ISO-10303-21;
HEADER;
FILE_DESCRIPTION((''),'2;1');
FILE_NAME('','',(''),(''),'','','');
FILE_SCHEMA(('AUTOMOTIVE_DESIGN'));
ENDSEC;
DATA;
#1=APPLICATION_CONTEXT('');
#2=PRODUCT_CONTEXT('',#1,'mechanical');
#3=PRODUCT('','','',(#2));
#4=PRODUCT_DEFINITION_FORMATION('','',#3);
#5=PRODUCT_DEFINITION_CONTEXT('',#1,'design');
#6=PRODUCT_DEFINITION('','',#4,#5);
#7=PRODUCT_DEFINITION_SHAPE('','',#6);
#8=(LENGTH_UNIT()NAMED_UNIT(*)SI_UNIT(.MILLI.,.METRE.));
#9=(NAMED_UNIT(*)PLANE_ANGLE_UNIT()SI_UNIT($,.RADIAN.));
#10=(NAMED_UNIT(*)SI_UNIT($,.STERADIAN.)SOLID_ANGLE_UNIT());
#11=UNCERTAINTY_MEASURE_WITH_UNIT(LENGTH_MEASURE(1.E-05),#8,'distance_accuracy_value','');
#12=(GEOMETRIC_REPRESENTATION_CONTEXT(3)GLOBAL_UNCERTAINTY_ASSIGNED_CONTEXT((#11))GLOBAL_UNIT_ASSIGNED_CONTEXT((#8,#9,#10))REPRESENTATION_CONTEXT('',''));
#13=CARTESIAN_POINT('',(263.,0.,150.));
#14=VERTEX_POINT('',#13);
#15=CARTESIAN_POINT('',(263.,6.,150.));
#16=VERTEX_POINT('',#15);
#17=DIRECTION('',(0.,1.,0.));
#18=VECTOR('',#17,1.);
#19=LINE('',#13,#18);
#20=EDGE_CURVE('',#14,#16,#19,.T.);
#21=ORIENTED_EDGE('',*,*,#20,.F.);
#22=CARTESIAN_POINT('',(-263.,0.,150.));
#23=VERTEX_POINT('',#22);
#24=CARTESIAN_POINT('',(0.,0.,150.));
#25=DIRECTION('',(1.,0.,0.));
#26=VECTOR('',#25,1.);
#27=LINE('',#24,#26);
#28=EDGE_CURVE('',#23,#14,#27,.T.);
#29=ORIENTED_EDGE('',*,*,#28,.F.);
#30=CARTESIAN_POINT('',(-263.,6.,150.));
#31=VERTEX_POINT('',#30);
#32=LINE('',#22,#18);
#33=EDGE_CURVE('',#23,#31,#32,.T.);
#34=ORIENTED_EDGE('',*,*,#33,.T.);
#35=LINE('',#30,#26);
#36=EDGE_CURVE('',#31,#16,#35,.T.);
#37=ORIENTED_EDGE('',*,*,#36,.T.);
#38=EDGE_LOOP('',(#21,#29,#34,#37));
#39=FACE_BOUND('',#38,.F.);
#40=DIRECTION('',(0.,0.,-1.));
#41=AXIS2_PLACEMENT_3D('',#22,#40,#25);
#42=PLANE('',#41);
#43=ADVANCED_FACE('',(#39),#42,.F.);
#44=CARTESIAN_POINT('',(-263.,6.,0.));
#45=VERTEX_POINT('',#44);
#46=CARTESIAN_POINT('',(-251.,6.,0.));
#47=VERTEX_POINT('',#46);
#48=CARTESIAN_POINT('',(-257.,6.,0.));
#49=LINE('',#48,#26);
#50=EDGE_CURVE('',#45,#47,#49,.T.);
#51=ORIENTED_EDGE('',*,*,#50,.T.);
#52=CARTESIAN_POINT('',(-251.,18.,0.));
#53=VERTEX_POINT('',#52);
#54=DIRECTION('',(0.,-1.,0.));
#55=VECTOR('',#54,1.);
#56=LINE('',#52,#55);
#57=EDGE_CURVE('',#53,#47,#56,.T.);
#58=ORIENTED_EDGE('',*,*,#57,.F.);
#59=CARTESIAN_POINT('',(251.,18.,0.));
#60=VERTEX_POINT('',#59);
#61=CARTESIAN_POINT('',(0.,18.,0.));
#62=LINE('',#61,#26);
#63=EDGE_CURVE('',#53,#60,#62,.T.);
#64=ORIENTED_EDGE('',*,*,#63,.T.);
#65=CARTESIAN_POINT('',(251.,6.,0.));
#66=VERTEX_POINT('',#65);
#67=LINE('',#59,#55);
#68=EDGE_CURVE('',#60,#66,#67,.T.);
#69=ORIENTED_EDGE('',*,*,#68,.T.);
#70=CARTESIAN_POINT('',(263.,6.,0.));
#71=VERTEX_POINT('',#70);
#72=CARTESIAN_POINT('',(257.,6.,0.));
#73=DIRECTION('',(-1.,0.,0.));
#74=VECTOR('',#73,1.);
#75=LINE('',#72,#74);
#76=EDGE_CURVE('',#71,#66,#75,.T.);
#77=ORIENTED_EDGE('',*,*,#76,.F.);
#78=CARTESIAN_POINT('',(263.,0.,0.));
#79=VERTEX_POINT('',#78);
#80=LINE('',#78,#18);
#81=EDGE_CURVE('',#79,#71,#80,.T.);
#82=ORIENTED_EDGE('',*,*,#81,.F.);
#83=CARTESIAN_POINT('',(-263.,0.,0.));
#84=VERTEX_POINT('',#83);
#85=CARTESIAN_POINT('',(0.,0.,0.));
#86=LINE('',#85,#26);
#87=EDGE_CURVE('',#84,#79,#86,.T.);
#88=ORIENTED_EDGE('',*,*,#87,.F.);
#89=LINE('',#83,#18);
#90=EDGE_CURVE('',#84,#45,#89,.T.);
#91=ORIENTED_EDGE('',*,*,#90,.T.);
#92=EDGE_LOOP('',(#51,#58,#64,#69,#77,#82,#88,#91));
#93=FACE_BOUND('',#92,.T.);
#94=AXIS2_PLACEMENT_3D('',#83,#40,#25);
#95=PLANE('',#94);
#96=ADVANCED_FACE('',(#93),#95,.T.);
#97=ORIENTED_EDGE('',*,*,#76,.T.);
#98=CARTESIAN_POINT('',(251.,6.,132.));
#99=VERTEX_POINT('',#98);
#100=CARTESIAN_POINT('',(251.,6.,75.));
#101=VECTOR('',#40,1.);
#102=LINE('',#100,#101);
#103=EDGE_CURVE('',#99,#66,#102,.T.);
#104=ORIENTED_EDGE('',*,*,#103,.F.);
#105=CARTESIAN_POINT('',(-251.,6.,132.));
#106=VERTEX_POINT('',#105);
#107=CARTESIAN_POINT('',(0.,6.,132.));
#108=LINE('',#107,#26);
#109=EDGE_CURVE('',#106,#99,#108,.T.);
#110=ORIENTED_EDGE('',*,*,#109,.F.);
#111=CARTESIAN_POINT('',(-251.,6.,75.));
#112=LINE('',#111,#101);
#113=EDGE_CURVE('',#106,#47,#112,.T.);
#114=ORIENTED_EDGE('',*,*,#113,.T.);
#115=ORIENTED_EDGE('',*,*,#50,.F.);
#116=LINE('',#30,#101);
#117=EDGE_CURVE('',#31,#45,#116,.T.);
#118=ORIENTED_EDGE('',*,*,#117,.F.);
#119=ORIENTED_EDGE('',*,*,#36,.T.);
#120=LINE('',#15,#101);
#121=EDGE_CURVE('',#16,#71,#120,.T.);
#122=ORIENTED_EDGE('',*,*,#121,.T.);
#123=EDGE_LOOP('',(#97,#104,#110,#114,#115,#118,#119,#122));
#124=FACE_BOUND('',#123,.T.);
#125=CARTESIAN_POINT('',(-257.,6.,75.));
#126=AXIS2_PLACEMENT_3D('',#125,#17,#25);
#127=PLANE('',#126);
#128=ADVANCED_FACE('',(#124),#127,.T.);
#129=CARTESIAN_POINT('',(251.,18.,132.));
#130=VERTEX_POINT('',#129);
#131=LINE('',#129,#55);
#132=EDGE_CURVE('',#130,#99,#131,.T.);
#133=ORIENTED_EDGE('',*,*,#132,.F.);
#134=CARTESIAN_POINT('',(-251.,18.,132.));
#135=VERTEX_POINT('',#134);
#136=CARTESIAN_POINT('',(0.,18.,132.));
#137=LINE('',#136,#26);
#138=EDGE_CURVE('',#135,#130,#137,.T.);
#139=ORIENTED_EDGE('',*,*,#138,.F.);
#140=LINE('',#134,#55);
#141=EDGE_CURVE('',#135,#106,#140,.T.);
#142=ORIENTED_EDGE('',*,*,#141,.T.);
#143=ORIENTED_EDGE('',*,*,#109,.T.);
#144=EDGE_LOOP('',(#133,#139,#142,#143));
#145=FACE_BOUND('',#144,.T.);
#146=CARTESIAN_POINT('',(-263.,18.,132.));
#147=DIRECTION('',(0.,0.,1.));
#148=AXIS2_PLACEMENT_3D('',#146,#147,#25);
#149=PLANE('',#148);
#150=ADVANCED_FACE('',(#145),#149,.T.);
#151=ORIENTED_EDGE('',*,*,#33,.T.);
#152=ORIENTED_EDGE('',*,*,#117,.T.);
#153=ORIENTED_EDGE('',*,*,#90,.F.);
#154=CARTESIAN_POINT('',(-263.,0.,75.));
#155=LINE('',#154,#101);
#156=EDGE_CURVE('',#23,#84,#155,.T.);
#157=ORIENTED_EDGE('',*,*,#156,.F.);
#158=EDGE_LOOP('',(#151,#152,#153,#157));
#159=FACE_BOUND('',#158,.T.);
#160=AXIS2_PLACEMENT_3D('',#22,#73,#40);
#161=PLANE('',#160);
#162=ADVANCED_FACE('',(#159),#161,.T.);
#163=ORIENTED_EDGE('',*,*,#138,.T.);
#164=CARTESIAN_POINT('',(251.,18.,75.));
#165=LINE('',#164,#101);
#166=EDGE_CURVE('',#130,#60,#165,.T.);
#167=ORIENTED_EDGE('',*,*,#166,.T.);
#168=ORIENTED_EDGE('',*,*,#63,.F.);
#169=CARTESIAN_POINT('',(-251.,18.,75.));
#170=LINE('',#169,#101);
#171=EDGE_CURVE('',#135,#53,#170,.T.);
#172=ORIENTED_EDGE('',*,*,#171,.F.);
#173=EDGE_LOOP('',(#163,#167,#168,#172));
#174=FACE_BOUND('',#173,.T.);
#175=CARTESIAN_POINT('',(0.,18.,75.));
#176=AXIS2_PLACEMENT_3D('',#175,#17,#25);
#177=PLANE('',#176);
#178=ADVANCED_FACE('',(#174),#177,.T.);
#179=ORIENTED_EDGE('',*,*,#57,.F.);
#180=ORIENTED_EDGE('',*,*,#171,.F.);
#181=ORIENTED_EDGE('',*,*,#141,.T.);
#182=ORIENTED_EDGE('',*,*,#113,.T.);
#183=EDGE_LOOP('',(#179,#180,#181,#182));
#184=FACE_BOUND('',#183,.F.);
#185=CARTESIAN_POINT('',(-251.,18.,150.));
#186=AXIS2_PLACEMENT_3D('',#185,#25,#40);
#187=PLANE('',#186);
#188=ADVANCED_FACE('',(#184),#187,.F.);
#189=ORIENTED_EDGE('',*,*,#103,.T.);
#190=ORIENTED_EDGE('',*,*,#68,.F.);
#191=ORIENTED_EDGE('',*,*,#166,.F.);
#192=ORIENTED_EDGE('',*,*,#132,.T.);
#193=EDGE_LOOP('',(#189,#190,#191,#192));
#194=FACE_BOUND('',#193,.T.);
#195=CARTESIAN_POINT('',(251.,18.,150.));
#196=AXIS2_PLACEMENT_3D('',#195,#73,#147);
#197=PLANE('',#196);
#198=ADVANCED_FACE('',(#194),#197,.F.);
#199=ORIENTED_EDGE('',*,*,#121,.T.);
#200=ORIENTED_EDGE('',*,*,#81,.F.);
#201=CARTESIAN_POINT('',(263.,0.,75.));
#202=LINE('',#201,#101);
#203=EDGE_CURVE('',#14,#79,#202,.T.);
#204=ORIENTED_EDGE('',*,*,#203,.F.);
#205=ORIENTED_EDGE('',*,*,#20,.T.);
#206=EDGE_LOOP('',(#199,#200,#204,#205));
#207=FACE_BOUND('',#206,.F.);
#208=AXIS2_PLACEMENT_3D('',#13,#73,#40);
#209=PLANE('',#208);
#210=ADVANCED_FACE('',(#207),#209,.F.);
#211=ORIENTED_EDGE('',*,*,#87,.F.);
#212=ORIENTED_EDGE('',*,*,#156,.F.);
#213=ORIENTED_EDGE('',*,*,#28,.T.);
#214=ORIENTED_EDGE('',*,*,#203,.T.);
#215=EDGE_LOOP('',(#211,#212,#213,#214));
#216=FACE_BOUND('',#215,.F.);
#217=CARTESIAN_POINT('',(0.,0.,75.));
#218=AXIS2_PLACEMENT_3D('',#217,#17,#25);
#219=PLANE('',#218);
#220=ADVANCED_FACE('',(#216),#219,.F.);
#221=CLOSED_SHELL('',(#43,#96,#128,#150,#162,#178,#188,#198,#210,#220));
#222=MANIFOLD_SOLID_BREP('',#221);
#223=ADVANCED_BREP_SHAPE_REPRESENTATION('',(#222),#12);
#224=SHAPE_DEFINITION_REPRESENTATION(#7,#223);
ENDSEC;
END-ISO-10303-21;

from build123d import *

# Parameters (mm, degrees)
SKETCH026_W             = 526
SKETCH026_H             = 150
PAD010_DEPTH            = 18
SKETCH027_W             = 12
SKETCH027_H             = 150
POCKET016_DEPTH         = 12
SKETCH031_W             = 526
SKETCH031_H             = 18
POCKET019_DEPTH         = 12
BODY009_PLACEMENT_ANGLE = 90


with BuildPart() as part:
    # Sketch026 → Pad010 (new body)
    with BuildSketch(Plane.XY):
        with Locations((0, 75)):
            Rectangle(SKETCH026_W, SKETCH026_H)
    extrude(amount=PAD010_DEPTH)

    # Sketch027 (on Face6 of Pad010) → Pocket016 (cut)
    with BuildSketch(Plane.XY.offset(18)):
        with Locations((-257, 75)):
            Rectangle(SKETCH027_W, SKETCH027_H)
    pocket016 = extrude(amount=-POCKET016_DEPTH, mode=Mode.SUBTRACT)

    # Mirrored007: Pocket016 across Sketch027 V_Axis
    add(pocket016.mirror(Plane(origin=(0, 0, 18), x_dir=(0, 0, 1), z_dir=(1, 0, 0))), mode=Mode.SUBTRACT)

    # Sketch031 (on Face6 of Mirrored007) → Pocket019 (cut)
    with BuildSketch(Plane.XY.offset(18)):
        with Locations((0, 9)):
            Rectangle(SKETCH031_W, SKETCH031_H)
    extrude(amount=-POCKET019_DEPTH, mode=Mode.SUBTRACT)


with BuildPart() as part_1:
    # Body009 placement: moved
    add(part.part.moved(Location((0, 0, 150))).rotate(Axis((0, 0, 150), (-1, 0, 0)), BODY009_PLACEMENT_ANGLE))


solid = part_1.part
